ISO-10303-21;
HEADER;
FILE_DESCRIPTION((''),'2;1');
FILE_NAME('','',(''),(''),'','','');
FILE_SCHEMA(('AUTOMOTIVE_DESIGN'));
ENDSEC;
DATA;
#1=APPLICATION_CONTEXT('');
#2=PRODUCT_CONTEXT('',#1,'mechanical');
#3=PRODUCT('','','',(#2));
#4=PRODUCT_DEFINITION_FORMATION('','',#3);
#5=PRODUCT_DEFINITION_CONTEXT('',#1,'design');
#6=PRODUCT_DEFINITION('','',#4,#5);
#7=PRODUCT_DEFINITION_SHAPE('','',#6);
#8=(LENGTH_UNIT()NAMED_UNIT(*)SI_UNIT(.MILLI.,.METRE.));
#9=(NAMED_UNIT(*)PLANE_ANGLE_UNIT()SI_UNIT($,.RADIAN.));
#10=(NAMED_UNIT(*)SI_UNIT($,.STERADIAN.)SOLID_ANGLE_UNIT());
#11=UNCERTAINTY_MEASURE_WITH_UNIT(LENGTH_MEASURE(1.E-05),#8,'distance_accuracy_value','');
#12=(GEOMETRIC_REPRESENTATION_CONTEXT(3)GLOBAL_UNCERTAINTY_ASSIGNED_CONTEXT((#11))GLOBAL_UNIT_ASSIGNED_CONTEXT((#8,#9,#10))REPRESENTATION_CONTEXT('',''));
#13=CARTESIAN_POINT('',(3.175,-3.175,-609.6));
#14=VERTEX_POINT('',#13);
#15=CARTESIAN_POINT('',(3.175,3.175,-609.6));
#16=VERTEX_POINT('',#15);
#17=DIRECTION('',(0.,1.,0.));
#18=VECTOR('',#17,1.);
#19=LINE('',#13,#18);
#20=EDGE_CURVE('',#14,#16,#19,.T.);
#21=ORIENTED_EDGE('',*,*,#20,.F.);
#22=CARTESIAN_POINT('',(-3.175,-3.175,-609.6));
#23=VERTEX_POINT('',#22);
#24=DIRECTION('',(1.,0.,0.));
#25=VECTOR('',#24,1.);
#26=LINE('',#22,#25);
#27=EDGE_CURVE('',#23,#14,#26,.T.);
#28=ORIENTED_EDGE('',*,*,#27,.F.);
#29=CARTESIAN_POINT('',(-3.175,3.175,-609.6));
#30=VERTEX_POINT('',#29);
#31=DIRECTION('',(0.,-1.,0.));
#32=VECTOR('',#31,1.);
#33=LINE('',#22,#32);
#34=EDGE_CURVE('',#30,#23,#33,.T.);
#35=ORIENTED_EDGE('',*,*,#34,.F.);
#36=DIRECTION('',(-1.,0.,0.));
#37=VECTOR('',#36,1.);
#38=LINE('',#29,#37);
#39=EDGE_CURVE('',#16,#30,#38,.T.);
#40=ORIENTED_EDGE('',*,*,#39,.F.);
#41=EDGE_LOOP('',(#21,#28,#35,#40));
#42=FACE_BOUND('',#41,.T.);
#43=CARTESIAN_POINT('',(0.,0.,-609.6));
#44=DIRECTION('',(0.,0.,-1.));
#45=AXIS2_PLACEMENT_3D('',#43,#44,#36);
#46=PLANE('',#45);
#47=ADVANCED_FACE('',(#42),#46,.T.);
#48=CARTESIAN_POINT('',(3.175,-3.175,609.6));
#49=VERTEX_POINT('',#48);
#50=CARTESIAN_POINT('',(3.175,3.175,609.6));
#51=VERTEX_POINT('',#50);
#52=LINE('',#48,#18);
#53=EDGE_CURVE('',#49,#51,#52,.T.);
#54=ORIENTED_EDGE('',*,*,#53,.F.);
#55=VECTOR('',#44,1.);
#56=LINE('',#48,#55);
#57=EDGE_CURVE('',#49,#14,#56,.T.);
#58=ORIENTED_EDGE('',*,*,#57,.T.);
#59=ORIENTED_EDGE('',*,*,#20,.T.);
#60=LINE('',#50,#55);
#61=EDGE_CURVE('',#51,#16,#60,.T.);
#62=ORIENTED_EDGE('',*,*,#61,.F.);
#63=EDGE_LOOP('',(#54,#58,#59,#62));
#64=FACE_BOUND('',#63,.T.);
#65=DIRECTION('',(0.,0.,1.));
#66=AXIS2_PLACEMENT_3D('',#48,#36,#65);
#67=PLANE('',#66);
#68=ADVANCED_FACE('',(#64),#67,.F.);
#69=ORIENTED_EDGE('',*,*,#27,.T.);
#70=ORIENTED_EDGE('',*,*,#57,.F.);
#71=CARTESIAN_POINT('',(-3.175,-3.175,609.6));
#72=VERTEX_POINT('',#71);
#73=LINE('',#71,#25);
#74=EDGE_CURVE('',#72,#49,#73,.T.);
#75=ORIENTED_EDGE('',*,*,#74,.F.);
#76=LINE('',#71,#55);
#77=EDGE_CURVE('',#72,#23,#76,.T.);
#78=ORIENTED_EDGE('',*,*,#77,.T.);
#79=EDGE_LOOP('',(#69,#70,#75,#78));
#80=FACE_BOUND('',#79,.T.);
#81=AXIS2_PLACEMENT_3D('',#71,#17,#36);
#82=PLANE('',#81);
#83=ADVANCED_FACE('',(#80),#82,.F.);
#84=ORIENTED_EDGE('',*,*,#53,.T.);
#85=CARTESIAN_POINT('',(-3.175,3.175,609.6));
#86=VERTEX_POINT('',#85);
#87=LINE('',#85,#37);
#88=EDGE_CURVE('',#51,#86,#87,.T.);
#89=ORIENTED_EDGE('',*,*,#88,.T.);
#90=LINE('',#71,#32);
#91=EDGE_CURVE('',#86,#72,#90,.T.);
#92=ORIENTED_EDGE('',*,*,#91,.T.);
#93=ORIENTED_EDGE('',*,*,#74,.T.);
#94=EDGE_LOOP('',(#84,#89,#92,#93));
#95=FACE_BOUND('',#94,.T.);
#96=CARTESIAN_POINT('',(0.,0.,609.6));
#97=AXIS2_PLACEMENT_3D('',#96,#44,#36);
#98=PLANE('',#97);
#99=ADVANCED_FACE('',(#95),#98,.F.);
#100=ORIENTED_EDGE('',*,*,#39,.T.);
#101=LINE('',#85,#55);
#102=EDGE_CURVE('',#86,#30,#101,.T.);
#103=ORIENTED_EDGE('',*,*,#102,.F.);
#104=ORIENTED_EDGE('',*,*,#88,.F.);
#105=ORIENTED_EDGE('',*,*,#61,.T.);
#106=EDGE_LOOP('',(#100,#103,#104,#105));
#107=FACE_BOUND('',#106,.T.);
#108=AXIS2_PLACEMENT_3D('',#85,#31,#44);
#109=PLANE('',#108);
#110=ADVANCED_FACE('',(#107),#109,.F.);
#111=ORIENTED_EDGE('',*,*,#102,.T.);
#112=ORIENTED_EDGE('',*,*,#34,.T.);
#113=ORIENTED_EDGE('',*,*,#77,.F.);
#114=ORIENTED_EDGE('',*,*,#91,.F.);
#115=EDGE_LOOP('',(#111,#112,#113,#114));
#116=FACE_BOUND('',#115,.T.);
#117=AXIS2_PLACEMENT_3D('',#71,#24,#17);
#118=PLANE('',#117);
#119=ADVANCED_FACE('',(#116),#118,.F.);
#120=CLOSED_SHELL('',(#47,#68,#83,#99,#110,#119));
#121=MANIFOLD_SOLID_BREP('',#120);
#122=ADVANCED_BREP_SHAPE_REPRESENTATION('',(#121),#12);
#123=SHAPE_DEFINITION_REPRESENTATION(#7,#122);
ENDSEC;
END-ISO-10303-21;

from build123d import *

# Parameters (mm, degrees)
BOSS_EXTRUDE1_DEPTH      = 609.6
BOSS_EXTRUDE1_DEPTH_BACK = 609.6
SKETCH3_W                = 6.35
SKETCH3_H                = 6.35


with BuildPart() as part:
    # Sketch3 → Boss-Extrude1 (new, two sides: drawn at the far end of the back side and taken through both)
    with BuildSketch(Plane.XY.offset(-BOSS_EXTRUDE1_DEPTH_BACK)):
        Rectangle(SKETCH3_W, SKETCH3_H)
    extrude(amount=BOSS_EXTRUDE1_DEPTH + BOSS_EXTRUDE1_DEPTH_BACK)


solid = part.part
